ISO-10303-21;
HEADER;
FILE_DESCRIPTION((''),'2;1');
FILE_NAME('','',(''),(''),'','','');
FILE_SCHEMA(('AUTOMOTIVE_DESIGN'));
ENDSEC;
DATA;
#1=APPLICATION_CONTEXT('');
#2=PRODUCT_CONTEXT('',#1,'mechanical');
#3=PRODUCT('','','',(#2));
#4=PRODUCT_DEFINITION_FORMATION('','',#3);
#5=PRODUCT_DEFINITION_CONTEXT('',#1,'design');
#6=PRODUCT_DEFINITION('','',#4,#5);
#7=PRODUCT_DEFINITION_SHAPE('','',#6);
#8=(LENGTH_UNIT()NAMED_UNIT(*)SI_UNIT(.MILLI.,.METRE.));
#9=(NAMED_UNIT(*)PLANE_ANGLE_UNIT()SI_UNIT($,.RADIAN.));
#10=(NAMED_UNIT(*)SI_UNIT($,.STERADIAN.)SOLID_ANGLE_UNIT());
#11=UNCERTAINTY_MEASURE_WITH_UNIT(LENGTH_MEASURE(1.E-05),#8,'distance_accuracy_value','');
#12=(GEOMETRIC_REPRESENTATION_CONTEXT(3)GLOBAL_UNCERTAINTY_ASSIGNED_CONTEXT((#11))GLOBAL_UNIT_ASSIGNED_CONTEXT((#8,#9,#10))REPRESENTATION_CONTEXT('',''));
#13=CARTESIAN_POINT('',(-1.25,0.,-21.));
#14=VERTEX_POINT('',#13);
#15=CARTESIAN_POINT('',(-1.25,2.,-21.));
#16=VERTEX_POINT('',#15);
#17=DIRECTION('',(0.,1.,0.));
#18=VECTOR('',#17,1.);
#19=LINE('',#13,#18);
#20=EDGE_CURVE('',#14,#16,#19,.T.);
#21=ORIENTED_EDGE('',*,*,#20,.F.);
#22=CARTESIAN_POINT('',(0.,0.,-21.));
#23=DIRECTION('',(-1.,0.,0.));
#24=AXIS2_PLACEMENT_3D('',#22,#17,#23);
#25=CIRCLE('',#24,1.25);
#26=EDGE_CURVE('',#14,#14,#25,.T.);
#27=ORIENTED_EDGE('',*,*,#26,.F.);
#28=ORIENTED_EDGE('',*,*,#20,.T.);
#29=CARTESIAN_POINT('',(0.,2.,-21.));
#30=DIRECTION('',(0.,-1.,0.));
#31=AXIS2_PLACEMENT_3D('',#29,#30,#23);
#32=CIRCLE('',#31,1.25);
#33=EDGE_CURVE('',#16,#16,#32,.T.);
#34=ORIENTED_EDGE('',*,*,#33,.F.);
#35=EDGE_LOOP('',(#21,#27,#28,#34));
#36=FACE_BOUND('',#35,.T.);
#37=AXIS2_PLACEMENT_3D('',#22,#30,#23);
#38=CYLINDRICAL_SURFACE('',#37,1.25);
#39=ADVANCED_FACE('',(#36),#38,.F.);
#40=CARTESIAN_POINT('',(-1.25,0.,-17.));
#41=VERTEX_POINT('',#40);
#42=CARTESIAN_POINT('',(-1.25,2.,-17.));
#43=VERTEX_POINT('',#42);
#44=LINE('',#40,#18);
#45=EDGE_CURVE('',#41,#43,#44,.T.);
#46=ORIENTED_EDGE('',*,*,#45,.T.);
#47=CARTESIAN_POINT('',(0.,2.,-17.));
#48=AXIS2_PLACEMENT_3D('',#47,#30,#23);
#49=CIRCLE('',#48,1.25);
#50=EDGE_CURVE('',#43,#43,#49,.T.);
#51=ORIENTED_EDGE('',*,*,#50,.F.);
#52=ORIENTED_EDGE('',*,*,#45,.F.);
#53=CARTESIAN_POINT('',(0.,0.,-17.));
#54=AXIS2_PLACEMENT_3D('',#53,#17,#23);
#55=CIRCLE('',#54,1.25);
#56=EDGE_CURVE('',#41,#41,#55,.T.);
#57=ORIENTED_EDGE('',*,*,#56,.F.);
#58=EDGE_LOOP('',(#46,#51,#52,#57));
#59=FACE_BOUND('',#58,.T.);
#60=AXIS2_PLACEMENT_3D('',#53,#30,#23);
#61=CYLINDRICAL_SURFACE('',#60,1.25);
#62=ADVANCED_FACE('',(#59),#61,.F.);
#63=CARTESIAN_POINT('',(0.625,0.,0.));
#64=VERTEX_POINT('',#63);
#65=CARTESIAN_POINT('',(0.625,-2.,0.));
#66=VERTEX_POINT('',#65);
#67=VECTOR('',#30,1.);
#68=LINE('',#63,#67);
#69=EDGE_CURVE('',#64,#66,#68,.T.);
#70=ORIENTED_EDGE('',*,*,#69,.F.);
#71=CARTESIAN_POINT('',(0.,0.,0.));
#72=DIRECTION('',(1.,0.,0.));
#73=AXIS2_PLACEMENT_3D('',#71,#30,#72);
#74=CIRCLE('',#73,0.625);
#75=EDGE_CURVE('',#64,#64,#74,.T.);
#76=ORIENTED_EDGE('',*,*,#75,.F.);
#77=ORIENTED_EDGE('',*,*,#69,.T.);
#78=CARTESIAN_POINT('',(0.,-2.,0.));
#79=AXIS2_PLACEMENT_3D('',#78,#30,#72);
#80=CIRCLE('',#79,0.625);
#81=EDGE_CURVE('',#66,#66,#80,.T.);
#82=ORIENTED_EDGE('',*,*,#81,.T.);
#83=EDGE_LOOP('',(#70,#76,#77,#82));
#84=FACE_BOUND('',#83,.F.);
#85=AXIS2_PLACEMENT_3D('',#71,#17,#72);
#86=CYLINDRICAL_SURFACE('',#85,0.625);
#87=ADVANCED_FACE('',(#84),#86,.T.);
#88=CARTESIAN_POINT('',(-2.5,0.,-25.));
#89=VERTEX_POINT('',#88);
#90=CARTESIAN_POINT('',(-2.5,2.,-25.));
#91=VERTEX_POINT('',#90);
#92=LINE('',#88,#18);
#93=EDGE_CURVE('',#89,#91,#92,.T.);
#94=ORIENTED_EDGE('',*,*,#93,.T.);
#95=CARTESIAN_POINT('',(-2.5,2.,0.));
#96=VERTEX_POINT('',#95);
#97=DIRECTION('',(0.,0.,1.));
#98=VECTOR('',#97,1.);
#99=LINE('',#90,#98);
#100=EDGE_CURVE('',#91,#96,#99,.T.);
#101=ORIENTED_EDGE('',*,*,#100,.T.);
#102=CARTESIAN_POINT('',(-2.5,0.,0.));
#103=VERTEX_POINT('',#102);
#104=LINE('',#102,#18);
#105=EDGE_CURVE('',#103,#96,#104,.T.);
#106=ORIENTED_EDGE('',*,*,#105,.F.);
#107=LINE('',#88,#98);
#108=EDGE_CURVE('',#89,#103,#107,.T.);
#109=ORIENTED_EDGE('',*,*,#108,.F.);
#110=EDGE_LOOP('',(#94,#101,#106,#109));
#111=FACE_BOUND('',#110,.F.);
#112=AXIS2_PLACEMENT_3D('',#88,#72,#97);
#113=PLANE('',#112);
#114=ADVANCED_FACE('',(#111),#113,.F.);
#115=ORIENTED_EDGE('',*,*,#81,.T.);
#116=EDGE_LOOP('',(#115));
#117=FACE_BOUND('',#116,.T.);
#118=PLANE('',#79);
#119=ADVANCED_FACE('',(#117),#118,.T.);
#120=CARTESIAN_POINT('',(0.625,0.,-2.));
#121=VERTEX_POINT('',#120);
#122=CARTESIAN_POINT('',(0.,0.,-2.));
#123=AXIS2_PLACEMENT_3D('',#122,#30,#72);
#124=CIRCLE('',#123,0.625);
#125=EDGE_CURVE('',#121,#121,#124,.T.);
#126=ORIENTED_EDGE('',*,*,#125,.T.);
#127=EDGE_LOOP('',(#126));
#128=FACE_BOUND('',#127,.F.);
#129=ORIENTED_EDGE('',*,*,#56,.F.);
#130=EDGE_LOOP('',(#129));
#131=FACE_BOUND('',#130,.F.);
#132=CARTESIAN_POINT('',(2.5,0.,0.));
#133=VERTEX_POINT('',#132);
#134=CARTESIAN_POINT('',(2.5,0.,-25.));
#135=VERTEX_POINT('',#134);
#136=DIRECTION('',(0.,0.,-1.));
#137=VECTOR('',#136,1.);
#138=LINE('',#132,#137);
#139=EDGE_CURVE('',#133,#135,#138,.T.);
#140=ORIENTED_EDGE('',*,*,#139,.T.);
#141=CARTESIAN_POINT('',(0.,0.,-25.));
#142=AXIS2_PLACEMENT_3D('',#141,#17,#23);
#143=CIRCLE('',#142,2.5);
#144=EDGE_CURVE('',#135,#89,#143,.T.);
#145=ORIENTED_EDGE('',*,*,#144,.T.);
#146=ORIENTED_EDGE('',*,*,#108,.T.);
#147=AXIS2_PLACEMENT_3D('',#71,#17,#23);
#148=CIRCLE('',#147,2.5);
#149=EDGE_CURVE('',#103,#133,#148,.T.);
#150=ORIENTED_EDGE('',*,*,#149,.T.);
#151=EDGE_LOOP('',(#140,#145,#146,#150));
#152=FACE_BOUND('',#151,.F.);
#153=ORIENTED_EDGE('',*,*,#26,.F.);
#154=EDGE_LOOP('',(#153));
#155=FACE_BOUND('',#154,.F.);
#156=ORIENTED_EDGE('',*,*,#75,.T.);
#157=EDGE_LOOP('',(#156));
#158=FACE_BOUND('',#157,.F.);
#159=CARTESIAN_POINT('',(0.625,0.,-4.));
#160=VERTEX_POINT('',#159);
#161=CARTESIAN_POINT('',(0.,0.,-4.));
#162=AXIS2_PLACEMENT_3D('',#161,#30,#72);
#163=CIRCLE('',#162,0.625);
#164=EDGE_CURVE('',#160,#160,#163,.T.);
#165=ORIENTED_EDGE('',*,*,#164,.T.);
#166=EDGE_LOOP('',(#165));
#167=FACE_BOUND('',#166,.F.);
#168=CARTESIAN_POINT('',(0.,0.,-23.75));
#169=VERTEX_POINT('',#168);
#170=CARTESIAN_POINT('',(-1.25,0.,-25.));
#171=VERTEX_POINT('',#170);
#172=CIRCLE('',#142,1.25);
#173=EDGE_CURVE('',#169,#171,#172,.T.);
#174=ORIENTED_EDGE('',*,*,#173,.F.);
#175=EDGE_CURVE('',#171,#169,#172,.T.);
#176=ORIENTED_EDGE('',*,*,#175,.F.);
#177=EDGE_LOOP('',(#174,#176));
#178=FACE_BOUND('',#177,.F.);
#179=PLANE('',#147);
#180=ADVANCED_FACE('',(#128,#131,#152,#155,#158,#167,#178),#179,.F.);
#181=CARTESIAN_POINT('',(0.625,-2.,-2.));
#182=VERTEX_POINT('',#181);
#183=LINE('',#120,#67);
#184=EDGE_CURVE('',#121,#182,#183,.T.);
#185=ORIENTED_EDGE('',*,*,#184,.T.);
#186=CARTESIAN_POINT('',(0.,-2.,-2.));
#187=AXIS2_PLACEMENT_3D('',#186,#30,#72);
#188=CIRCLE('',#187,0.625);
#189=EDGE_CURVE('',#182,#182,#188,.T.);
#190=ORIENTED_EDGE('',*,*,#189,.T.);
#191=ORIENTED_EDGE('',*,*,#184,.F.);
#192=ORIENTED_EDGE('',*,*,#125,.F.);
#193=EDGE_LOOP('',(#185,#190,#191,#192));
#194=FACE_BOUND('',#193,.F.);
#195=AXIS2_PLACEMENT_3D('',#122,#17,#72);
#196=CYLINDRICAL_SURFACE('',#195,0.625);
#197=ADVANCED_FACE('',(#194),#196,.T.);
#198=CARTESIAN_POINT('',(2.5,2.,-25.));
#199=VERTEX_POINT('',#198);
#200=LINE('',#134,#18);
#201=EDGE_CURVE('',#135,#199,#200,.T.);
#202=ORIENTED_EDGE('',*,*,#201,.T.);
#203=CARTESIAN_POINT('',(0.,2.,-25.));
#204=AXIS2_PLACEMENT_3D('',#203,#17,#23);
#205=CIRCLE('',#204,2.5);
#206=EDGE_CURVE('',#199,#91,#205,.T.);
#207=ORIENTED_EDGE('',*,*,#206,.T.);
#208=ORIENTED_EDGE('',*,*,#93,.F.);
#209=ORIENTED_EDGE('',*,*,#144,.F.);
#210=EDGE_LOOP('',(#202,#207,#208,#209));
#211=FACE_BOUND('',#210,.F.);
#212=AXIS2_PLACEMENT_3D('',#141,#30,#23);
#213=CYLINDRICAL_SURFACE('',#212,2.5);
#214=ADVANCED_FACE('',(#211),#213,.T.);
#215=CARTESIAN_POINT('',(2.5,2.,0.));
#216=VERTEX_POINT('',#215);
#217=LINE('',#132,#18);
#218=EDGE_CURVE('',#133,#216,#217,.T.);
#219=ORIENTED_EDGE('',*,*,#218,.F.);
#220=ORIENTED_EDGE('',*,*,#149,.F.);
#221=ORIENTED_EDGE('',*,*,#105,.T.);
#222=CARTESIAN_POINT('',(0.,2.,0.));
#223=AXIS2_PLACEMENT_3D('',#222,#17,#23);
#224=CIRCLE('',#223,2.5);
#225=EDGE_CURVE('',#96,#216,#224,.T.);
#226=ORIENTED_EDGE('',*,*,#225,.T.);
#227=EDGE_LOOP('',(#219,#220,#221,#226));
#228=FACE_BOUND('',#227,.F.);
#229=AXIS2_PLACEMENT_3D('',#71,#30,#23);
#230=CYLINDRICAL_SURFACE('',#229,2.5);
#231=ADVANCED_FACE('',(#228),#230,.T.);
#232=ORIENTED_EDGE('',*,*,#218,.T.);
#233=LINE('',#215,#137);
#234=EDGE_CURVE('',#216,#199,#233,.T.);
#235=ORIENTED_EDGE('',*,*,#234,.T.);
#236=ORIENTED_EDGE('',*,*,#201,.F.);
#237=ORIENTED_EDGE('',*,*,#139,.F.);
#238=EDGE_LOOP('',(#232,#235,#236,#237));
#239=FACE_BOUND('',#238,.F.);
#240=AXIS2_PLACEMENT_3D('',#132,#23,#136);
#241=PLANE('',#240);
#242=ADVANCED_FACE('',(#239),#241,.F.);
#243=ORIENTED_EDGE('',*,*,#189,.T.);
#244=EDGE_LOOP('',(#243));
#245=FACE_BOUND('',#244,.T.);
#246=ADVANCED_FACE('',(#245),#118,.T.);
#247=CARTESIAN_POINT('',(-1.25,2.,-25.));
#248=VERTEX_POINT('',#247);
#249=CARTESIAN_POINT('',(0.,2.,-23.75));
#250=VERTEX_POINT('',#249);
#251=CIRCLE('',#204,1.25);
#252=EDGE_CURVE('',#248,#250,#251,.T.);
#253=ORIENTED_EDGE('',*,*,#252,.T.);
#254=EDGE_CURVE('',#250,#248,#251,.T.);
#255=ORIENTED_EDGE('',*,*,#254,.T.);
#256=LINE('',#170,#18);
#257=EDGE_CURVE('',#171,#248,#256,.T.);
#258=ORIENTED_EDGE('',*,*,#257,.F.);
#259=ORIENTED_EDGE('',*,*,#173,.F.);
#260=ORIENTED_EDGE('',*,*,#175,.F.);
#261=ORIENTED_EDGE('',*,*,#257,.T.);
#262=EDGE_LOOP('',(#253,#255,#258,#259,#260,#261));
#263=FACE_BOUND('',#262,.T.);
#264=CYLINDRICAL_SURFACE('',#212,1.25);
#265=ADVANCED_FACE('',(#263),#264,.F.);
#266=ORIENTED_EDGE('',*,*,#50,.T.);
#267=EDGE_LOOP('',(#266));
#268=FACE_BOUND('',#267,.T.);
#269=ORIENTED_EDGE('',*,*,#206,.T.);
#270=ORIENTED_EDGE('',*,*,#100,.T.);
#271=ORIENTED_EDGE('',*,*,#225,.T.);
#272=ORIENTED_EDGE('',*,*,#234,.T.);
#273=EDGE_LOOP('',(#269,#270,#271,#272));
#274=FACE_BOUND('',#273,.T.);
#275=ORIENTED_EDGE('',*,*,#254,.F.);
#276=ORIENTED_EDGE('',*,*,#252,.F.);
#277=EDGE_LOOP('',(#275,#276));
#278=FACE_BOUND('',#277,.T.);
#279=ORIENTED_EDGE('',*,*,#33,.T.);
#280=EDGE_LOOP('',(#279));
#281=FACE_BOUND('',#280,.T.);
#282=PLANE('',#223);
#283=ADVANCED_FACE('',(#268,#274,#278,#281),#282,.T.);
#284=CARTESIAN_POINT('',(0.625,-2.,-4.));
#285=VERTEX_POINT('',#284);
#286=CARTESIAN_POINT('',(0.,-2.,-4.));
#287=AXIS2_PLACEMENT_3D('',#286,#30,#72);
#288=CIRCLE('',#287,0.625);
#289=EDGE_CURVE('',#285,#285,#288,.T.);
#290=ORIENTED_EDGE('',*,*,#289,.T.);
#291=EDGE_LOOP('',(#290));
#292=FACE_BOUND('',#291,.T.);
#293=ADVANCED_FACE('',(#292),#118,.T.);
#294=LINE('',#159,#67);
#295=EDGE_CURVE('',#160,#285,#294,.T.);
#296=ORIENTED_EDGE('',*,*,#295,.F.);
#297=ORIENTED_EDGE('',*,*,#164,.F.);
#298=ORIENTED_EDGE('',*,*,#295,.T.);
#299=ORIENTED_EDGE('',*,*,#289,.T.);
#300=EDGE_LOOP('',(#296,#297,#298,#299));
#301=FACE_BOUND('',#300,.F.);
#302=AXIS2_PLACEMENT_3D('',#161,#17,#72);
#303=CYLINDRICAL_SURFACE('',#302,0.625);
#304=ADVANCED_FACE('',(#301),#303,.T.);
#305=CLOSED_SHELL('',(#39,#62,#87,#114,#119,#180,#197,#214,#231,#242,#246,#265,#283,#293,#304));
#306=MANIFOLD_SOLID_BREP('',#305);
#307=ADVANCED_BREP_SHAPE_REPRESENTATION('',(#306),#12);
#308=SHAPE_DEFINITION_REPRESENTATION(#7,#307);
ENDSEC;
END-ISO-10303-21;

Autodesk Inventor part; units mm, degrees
ref_plane "YZ Plane" through (0, 0, 0) normal (1, 0, 0) x (0, 1, 0)
ref_plane "XZ Plane" through (0, 0, 0) normal (0, 1, 0) x (-1, 0, 0)
ref_plane "XY Plane" through (0, 0, 0) normal (0, 0, 1) x (1, 0, 0)
sketch "Sketch1" plane through (0, 0, 0) normal (0, 1, 0) x (-1, 0, 0)
  circle A0 centre (0, 0) radius 2.5
  line L0 (0, 0) -> (0, -25)
  line L1 (0, 0) -> (25, 0) construction
  circle A1 centre (0, -25) radius 2.5
  line L2 (2.5, -25) -> (2.5, 0)
  line L3 (-2.5, 0) -> (-2.5, -25)
  circle A2 centre (0, -25) radius 1.25
  circle A3 centre (0, -21) radius 1.25
  circle A4 centre (0, -17) radius 1.25
  dimension "d0" = 5
  dimension "d1" = 25
  dimension "d2" = 90
  dimension "d3" = 5
  dimension "d4" = 2.5
  dimension "d7" = 4
extrude "Extrusion1" add sketch "Sketch1" along normal blind 2 contours A0 | L2 A1 L0 A3 A4 A0 | A0 L0 A4 A3 A1 L3 | A1
sketch "Sketch2" plane through (0, 0, 0) normal (0, -1, 0) x (1, 0, 0)
  circle A0 centre (0, 0) radius 0.625
  line L0 (2.5, 0) -> (2.5, -25) projected
  circle A1 centre (0, -2) radius 0.625
  circle A2 centre (0, -4) radius 0.625
  dimension "d14" = 1.25
  dimension "d17" = 2
extrude "Extrusion2" add sketch "Sketch2" along normal blind 2
properties part number "Servo Extension Small"
